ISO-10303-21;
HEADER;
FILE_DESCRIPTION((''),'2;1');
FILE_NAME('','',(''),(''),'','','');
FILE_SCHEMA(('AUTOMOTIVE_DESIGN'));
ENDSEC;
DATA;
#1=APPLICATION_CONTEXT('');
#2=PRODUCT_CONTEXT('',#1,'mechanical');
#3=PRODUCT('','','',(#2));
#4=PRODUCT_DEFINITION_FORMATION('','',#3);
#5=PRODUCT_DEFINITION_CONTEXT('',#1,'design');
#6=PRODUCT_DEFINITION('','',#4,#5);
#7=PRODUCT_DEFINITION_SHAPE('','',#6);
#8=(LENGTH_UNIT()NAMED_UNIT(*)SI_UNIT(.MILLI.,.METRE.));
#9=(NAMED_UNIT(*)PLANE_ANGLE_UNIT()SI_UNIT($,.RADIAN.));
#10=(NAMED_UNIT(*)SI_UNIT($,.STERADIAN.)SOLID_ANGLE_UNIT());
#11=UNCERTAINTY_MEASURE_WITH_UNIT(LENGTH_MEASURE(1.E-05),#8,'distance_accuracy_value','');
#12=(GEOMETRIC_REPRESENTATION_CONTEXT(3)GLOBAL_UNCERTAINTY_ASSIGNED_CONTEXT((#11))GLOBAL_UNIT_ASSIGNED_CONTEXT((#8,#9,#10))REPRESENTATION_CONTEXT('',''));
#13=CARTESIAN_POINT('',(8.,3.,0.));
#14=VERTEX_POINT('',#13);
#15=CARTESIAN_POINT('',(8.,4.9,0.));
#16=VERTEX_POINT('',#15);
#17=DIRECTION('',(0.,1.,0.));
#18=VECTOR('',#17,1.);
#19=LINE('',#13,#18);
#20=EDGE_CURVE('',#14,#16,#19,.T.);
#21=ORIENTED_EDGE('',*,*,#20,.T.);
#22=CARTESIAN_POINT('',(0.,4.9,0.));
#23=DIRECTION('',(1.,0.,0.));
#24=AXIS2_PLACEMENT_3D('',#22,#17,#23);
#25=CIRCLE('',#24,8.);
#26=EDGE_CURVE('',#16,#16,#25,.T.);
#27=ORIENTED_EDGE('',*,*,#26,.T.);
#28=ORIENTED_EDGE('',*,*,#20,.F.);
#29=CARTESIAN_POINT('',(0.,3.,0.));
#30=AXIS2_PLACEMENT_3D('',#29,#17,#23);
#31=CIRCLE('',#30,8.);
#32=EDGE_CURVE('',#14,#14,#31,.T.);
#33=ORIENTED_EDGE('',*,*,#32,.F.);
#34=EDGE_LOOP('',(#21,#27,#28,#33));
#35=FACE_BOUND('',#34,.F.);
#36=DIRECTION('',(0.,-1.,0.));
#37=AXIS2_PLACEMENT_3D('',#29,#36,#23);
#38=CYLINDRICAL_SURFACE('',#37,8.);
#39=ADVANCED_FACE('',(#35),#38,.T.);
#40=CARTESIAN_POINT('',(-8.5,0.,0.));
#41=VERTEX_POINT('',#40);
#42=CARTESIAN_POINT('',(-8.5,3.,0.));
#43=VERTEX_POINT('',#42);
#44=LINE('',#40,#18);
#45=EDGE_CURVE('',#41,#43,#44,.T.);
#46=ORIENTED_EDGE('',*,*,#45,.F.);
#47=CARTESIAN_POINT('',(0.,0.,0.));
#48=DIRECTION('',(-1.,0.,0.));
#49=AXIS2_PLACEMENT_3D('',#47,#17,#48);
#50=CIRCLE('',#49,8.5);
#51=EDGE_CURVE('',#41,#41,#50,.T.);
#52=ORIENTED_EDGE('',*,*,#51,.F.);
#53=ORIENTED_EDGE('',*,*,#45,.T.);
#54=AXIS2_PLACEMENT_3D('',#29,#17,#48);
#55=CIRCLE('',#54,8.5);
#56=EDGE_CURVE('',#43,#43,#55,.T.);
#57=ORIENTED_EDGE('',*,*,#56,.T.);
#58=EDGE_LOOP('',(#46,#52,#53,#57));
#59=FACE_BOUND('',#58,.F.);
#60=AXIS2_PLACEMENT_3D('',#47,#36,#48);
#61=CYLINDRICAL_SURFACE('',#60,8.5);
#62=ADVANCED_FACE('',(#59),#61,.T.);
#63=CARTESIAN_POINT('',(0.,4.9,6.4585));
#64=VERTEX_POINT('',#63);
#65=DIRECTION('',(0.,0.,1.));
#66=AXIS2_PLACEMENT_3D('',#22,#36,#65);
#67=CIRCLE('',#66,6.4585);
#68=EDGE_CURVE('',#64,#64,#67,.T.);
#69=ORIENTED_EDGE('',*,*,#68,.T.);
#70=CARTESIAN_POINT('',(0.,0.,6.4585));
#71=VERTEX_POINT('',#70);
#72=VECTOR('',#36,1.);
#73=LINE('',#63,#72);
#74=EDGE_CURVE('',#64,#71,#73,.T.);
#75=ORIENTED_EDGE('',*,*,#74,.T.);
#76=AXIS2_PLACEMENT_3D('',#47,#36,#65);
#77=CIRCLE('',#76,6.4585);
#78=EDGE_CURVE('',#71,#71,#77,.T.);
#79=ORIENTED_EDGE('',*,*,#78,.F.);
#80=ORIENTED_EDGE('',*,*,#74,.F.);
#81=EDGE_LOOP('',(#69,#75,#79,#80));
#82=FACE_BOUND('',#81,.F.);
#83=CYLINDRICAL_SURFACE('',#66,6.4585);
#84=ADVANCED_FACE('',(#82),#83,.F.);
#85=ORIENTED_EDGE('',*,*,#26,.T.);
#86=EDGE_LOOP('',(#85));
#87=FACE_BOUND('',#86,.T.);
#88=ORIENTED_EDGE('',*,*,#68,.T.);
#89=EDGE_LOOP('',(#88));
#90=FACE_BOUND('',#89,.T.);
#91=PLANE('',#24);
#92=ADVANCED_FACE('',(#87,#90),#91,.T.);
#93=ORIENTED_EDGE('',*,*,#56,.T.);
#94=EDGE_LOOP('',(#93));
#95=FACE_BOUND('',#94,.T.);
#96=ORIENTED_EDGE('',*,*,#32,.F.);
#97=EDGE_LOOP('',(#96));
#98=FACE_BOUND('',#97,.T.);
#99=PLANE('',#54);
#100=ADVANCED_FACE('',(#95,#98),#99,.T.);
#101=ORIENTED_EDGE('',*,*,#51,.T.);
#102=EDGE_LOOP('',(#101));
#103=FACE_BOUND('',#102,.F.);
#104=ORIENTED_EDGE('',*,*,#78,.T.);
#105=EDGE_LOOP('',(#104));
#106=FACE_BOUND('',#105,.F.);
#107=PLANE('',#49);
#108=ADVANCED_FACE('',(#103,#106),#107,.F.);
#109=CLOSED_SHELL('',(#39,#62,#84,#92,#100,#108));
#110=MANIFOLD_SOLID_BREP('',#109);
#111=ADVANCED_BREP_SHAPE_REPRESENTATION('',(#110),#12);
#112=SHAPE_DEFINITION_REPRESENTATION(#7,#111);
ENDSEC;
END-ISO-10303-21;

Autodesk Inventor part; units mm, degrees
ref_plane "YZ Plane" through (0, 0, 0) normal (1, 0, 0) x (0, 1, 0)
ref_plane "XZ Plane" through (0, 0, 0) normal (0, 1, 0) x (-1, 0, 0)
ref_plane "XY Plane" through (0, 0, 0) normal (0, 0, 1) x (1, 0, 0)
sketch "Sketch1" plane through (0, 0, 0) normal (0, 1, 0) x (-1, 0, 0)
  circle A0 centre (0, 0) radius 8.5
  dimension "d0" = 17
extrude "Extrusion1" add sketch "Sketch1" along normal blind 3
sketch "Sketch2" plane through (0, 3, 0) normal (0, 1, 0) x (1, 0, 0)
  circle A0 centre (0, 0) radius 8.5 projected
  circle A1 centre (0, 0) radius 8
  dimension "d3" = 16
extrude "Extrusion2" add sketch "Sketch2" along normal blind 1.9 contours A1
sketch "Sketch3" plane through (0, 4.9, 0) normal (0, 1, 0) x (1, 0, 0)
  circle A0 centre (0, 0) radius 8 projected
hole "Hole1" at (0, 4.9, 0) direction (0, -1, 0) diameter 12.917 depth 33.1 tip angle 118 thread size "M14x1" class "6H" standard "ISO Metric profile"
properties part number "500-100" material "Steel"
